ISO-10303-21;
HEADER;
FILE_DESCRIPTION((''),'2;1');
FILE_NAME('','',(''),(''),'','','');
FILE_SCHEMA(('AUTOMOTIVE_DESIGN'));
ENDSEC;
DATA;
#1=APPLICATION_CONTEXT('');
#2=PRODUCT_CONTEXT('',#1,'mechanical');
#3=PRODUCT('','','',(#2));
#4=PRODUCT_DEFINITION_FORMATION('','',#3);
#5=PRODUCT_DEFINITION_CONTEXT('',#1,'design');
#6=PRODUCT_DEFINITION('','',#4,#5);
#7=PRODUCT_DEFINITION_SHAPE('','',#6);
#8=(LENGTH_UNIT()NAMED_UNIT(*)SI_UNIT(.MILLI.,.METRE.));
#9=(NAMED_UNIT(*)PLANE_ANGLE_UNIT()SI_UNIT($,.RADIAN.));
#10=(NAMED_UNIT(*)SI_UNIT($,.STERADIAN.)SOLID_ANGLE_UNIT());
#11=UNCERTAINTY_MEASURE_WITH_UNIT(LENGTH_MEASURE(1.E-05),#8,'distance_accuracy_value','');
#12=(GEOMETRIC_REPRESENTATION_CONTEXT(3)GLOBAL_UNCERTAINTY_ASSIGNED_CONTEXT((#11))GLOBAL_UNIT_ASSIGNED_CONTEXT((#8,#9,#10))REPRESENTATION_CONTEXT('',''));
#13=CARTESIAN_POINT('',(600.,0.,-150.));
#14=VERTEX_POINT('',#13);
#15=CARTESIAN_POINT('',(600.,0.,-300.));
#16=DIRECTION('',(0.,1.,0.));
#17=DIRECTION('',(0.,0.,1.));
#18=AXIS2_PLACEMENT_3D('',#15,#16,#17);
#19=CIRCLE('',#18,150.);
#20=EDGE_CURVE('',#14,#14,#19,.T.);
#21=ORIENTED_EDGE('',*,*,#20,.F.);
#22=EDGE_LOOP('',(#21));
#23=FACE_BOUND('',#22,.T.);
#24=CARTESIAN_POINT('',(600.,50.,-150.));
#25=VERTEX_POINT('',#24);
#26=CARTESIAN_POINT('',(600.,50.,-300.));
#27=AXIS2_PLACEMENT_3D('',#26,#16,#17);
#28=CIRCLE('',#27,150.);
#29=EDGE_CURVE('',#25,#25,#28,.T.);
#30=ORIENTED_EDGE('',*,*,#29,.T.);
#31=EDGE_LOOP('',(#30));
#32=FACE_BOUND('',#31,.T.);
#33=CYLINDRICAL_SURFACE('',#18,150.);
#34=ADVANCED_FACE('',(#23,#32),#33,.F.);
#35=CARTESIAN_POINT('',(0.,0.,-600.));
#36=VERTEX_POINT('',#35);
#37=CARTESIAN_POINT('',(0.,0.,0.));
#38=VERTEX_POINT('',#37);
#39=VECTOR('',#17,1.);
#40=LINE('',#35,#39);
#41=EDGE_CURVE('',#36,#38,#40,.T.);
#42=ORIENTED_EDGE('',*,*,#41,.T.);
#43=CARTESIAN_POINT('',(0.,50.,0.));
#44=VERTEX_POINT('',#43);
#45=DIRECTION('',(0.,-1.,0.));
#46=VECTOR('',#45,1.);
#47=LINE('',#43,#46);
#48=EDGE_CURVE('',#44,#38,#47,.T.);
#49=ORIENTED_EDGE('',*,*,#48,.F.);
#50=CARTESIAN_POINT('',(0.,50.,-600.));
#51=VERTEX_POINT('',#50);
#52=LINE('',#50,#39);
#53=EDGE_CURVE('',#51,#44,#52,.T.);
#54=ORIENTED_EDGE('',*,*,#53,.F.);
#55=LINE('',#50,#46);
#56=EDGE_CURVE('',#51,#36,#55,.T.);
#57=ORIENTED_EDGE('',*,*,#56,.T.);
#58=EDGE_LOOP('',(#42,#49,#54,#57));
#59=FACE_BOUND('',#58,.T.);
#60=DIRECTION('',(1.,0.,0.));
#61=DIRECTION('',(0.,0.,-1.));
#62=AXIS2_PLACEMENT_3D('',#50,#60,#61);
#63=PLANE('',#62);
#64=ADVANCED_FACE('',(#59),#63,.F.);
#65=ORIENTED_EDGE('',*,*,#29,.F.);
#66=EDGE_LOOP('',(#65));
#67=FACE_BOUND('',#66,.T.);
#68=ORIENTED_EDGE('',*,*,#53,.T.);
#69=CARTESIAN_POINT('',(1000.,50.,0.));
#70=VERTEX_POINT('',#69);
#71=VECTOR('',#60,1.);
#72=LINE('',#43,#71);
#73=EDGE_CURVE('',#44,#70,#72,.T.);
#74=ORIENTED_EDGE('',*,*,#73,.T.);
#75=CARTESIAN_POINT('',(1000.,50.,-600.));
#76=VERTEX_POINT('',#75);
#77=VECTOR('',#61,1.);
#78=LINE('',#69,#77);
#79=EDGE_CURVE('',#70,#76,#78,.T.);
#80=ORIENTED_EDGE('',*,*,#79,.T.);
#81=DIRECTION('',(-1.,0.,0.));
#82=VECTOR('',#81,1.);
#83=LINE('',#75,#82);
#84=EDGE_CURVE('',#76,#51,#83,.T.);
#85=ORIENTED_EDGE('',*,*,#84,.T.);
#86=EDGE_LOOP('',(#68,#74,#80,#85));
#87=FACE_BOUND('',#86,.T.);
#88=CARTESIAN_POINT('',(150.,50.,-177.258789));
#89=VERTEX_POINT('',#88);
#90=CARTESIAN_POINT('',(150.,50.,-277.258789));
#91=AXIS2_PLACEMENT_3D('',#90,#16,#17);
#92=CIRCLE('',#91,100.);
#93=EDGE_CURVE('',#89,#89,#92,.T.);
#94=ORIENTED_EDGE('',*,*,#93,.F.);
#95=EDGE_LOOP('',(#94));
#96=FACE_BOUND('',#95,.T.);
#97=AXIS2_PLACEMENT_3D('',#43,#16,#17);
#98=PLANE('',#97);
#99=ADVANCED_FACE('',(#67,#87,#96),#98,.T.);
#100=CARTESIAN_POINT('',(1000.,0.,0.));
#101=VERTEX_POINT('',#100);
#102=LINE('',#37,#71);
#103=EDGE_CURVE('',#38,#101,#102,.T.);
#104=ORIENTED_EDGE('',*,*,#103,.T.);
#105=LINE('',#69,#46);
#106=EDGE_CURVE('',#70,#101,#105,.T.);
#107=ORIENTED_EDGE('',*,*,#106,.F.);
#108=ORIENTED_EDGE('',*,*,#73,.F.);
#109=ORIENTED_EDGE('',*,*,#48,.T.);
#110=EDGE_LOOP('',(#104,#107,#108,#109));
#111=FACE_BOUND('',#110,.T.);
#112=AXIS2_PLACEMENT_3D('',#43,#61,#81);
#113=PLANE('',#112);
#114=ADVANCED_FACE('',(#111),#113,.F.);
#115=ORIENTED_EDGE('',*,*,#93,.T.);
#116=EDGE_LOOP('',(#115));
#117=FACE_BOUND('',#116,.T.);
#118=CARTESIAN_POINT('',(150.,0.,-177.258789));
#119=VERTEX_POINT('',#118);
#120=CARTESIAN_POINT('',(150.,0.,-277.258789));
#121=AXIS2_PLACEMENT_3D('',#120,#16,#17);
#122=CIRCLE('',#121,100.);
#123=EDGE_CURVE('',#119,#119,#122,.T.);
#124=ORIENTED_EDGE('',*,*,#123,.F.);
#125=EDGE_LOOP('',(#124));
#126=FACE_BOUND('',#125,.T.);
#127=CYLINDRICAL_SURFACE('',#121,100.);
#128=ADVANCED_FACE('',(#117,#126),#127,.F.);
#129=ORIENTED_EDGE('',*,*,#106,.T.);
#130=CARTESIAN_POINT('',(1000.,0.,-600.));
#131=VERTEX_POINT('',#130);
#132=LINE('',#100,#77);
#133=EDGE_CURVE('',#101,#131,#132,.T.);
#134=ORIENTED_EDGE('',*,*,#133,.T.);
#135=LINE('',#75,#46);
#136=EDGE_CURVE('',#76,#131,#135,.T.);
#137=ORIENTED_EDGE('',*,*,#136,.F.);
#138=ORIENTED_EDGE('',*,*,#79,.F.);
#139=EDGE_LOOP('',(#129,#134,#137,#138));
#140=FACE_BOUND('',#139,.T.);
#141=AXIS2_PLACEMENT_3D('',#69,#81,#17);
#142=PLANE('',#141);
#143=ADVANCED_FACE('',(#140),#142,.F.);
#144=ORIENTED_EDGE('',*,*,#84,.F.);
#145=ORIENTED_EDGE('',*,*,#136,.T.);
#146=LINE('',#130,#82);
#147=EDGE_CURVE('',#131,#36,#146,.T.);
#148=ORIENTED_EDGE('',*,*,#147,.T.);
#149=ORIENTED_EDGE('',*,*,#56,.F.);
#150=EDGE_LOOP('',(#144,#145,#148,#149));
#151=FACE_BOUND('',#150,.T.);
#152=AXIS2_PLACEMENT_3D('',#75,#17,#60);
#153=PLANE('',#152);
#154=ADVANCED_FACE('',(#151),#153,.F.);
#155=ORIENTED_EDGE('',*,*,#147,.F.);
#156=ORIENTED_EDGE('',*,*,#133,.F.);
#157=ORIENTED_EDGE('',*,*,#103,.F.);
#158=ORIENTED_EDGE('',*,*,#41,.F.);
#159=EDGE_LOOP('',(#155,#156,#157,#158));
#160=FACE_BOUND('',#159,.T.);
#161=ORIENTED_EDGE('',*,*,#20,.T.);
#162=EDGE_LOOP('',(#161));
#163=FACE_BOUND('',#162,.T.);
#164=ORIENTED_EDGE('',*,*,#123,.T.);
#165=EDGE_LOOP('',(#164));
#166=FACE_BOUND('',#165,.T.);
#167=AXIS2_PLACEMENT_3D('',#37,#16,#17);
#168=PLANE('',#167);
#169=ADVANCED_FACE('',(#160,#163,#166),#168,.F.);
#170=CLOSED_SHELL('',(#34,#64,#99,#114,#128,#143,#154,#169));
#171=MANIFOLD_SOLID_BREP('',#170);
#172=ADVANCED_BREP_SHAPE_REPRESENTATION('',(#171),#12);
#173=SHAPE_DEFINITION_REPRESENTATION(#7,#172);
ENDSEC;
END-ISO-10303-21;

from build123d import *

# Parameters (mm, degrees)
SKETCH1_W           = 1000
SKETCH1_H           = 600
BOSS_EXTRUDE1_DEPTH = 50
SKETCH2_R           = 100
SKETCH2_R_2         = 150
CUT_EXTRUDE1_DEPTH  = 1168.261752993


with BuildPart() as part:
    # Sketch1 → Boss-Extrude1 (new body)
    with BuildSketch(Plane(origin=(0, 0, 0), x_dir=(1, 0, 0), z_dir=(0, 1, 0))):
        with Locations((500, 300)):
            Rectangle(SKETCH1_W, SKETCH1_H)
    extrude(amount=BOSS_EXTRUDE1_DEPTH)

    # Sketch2 → Cut-Extrude1 (cut, through all)
    with BuildSketch(Plane(origin=(0, 50, 0), x_dir=(1, 0, 0), z_dir=(0, 1, 0))):
        with Locations(Location((150, 277.258789034, 0), (0, 0, 270))):
            Circle(SKETCH2_R)
        with Locations(Location((600, 300, 0), (0, 0, 270))):
            Circle(SKETCH2_R_2)
    extrude(amount=-CUT_EXTRUDE1_DEPTH, mode=Mode.SUBTRACT)


solid = part.part
